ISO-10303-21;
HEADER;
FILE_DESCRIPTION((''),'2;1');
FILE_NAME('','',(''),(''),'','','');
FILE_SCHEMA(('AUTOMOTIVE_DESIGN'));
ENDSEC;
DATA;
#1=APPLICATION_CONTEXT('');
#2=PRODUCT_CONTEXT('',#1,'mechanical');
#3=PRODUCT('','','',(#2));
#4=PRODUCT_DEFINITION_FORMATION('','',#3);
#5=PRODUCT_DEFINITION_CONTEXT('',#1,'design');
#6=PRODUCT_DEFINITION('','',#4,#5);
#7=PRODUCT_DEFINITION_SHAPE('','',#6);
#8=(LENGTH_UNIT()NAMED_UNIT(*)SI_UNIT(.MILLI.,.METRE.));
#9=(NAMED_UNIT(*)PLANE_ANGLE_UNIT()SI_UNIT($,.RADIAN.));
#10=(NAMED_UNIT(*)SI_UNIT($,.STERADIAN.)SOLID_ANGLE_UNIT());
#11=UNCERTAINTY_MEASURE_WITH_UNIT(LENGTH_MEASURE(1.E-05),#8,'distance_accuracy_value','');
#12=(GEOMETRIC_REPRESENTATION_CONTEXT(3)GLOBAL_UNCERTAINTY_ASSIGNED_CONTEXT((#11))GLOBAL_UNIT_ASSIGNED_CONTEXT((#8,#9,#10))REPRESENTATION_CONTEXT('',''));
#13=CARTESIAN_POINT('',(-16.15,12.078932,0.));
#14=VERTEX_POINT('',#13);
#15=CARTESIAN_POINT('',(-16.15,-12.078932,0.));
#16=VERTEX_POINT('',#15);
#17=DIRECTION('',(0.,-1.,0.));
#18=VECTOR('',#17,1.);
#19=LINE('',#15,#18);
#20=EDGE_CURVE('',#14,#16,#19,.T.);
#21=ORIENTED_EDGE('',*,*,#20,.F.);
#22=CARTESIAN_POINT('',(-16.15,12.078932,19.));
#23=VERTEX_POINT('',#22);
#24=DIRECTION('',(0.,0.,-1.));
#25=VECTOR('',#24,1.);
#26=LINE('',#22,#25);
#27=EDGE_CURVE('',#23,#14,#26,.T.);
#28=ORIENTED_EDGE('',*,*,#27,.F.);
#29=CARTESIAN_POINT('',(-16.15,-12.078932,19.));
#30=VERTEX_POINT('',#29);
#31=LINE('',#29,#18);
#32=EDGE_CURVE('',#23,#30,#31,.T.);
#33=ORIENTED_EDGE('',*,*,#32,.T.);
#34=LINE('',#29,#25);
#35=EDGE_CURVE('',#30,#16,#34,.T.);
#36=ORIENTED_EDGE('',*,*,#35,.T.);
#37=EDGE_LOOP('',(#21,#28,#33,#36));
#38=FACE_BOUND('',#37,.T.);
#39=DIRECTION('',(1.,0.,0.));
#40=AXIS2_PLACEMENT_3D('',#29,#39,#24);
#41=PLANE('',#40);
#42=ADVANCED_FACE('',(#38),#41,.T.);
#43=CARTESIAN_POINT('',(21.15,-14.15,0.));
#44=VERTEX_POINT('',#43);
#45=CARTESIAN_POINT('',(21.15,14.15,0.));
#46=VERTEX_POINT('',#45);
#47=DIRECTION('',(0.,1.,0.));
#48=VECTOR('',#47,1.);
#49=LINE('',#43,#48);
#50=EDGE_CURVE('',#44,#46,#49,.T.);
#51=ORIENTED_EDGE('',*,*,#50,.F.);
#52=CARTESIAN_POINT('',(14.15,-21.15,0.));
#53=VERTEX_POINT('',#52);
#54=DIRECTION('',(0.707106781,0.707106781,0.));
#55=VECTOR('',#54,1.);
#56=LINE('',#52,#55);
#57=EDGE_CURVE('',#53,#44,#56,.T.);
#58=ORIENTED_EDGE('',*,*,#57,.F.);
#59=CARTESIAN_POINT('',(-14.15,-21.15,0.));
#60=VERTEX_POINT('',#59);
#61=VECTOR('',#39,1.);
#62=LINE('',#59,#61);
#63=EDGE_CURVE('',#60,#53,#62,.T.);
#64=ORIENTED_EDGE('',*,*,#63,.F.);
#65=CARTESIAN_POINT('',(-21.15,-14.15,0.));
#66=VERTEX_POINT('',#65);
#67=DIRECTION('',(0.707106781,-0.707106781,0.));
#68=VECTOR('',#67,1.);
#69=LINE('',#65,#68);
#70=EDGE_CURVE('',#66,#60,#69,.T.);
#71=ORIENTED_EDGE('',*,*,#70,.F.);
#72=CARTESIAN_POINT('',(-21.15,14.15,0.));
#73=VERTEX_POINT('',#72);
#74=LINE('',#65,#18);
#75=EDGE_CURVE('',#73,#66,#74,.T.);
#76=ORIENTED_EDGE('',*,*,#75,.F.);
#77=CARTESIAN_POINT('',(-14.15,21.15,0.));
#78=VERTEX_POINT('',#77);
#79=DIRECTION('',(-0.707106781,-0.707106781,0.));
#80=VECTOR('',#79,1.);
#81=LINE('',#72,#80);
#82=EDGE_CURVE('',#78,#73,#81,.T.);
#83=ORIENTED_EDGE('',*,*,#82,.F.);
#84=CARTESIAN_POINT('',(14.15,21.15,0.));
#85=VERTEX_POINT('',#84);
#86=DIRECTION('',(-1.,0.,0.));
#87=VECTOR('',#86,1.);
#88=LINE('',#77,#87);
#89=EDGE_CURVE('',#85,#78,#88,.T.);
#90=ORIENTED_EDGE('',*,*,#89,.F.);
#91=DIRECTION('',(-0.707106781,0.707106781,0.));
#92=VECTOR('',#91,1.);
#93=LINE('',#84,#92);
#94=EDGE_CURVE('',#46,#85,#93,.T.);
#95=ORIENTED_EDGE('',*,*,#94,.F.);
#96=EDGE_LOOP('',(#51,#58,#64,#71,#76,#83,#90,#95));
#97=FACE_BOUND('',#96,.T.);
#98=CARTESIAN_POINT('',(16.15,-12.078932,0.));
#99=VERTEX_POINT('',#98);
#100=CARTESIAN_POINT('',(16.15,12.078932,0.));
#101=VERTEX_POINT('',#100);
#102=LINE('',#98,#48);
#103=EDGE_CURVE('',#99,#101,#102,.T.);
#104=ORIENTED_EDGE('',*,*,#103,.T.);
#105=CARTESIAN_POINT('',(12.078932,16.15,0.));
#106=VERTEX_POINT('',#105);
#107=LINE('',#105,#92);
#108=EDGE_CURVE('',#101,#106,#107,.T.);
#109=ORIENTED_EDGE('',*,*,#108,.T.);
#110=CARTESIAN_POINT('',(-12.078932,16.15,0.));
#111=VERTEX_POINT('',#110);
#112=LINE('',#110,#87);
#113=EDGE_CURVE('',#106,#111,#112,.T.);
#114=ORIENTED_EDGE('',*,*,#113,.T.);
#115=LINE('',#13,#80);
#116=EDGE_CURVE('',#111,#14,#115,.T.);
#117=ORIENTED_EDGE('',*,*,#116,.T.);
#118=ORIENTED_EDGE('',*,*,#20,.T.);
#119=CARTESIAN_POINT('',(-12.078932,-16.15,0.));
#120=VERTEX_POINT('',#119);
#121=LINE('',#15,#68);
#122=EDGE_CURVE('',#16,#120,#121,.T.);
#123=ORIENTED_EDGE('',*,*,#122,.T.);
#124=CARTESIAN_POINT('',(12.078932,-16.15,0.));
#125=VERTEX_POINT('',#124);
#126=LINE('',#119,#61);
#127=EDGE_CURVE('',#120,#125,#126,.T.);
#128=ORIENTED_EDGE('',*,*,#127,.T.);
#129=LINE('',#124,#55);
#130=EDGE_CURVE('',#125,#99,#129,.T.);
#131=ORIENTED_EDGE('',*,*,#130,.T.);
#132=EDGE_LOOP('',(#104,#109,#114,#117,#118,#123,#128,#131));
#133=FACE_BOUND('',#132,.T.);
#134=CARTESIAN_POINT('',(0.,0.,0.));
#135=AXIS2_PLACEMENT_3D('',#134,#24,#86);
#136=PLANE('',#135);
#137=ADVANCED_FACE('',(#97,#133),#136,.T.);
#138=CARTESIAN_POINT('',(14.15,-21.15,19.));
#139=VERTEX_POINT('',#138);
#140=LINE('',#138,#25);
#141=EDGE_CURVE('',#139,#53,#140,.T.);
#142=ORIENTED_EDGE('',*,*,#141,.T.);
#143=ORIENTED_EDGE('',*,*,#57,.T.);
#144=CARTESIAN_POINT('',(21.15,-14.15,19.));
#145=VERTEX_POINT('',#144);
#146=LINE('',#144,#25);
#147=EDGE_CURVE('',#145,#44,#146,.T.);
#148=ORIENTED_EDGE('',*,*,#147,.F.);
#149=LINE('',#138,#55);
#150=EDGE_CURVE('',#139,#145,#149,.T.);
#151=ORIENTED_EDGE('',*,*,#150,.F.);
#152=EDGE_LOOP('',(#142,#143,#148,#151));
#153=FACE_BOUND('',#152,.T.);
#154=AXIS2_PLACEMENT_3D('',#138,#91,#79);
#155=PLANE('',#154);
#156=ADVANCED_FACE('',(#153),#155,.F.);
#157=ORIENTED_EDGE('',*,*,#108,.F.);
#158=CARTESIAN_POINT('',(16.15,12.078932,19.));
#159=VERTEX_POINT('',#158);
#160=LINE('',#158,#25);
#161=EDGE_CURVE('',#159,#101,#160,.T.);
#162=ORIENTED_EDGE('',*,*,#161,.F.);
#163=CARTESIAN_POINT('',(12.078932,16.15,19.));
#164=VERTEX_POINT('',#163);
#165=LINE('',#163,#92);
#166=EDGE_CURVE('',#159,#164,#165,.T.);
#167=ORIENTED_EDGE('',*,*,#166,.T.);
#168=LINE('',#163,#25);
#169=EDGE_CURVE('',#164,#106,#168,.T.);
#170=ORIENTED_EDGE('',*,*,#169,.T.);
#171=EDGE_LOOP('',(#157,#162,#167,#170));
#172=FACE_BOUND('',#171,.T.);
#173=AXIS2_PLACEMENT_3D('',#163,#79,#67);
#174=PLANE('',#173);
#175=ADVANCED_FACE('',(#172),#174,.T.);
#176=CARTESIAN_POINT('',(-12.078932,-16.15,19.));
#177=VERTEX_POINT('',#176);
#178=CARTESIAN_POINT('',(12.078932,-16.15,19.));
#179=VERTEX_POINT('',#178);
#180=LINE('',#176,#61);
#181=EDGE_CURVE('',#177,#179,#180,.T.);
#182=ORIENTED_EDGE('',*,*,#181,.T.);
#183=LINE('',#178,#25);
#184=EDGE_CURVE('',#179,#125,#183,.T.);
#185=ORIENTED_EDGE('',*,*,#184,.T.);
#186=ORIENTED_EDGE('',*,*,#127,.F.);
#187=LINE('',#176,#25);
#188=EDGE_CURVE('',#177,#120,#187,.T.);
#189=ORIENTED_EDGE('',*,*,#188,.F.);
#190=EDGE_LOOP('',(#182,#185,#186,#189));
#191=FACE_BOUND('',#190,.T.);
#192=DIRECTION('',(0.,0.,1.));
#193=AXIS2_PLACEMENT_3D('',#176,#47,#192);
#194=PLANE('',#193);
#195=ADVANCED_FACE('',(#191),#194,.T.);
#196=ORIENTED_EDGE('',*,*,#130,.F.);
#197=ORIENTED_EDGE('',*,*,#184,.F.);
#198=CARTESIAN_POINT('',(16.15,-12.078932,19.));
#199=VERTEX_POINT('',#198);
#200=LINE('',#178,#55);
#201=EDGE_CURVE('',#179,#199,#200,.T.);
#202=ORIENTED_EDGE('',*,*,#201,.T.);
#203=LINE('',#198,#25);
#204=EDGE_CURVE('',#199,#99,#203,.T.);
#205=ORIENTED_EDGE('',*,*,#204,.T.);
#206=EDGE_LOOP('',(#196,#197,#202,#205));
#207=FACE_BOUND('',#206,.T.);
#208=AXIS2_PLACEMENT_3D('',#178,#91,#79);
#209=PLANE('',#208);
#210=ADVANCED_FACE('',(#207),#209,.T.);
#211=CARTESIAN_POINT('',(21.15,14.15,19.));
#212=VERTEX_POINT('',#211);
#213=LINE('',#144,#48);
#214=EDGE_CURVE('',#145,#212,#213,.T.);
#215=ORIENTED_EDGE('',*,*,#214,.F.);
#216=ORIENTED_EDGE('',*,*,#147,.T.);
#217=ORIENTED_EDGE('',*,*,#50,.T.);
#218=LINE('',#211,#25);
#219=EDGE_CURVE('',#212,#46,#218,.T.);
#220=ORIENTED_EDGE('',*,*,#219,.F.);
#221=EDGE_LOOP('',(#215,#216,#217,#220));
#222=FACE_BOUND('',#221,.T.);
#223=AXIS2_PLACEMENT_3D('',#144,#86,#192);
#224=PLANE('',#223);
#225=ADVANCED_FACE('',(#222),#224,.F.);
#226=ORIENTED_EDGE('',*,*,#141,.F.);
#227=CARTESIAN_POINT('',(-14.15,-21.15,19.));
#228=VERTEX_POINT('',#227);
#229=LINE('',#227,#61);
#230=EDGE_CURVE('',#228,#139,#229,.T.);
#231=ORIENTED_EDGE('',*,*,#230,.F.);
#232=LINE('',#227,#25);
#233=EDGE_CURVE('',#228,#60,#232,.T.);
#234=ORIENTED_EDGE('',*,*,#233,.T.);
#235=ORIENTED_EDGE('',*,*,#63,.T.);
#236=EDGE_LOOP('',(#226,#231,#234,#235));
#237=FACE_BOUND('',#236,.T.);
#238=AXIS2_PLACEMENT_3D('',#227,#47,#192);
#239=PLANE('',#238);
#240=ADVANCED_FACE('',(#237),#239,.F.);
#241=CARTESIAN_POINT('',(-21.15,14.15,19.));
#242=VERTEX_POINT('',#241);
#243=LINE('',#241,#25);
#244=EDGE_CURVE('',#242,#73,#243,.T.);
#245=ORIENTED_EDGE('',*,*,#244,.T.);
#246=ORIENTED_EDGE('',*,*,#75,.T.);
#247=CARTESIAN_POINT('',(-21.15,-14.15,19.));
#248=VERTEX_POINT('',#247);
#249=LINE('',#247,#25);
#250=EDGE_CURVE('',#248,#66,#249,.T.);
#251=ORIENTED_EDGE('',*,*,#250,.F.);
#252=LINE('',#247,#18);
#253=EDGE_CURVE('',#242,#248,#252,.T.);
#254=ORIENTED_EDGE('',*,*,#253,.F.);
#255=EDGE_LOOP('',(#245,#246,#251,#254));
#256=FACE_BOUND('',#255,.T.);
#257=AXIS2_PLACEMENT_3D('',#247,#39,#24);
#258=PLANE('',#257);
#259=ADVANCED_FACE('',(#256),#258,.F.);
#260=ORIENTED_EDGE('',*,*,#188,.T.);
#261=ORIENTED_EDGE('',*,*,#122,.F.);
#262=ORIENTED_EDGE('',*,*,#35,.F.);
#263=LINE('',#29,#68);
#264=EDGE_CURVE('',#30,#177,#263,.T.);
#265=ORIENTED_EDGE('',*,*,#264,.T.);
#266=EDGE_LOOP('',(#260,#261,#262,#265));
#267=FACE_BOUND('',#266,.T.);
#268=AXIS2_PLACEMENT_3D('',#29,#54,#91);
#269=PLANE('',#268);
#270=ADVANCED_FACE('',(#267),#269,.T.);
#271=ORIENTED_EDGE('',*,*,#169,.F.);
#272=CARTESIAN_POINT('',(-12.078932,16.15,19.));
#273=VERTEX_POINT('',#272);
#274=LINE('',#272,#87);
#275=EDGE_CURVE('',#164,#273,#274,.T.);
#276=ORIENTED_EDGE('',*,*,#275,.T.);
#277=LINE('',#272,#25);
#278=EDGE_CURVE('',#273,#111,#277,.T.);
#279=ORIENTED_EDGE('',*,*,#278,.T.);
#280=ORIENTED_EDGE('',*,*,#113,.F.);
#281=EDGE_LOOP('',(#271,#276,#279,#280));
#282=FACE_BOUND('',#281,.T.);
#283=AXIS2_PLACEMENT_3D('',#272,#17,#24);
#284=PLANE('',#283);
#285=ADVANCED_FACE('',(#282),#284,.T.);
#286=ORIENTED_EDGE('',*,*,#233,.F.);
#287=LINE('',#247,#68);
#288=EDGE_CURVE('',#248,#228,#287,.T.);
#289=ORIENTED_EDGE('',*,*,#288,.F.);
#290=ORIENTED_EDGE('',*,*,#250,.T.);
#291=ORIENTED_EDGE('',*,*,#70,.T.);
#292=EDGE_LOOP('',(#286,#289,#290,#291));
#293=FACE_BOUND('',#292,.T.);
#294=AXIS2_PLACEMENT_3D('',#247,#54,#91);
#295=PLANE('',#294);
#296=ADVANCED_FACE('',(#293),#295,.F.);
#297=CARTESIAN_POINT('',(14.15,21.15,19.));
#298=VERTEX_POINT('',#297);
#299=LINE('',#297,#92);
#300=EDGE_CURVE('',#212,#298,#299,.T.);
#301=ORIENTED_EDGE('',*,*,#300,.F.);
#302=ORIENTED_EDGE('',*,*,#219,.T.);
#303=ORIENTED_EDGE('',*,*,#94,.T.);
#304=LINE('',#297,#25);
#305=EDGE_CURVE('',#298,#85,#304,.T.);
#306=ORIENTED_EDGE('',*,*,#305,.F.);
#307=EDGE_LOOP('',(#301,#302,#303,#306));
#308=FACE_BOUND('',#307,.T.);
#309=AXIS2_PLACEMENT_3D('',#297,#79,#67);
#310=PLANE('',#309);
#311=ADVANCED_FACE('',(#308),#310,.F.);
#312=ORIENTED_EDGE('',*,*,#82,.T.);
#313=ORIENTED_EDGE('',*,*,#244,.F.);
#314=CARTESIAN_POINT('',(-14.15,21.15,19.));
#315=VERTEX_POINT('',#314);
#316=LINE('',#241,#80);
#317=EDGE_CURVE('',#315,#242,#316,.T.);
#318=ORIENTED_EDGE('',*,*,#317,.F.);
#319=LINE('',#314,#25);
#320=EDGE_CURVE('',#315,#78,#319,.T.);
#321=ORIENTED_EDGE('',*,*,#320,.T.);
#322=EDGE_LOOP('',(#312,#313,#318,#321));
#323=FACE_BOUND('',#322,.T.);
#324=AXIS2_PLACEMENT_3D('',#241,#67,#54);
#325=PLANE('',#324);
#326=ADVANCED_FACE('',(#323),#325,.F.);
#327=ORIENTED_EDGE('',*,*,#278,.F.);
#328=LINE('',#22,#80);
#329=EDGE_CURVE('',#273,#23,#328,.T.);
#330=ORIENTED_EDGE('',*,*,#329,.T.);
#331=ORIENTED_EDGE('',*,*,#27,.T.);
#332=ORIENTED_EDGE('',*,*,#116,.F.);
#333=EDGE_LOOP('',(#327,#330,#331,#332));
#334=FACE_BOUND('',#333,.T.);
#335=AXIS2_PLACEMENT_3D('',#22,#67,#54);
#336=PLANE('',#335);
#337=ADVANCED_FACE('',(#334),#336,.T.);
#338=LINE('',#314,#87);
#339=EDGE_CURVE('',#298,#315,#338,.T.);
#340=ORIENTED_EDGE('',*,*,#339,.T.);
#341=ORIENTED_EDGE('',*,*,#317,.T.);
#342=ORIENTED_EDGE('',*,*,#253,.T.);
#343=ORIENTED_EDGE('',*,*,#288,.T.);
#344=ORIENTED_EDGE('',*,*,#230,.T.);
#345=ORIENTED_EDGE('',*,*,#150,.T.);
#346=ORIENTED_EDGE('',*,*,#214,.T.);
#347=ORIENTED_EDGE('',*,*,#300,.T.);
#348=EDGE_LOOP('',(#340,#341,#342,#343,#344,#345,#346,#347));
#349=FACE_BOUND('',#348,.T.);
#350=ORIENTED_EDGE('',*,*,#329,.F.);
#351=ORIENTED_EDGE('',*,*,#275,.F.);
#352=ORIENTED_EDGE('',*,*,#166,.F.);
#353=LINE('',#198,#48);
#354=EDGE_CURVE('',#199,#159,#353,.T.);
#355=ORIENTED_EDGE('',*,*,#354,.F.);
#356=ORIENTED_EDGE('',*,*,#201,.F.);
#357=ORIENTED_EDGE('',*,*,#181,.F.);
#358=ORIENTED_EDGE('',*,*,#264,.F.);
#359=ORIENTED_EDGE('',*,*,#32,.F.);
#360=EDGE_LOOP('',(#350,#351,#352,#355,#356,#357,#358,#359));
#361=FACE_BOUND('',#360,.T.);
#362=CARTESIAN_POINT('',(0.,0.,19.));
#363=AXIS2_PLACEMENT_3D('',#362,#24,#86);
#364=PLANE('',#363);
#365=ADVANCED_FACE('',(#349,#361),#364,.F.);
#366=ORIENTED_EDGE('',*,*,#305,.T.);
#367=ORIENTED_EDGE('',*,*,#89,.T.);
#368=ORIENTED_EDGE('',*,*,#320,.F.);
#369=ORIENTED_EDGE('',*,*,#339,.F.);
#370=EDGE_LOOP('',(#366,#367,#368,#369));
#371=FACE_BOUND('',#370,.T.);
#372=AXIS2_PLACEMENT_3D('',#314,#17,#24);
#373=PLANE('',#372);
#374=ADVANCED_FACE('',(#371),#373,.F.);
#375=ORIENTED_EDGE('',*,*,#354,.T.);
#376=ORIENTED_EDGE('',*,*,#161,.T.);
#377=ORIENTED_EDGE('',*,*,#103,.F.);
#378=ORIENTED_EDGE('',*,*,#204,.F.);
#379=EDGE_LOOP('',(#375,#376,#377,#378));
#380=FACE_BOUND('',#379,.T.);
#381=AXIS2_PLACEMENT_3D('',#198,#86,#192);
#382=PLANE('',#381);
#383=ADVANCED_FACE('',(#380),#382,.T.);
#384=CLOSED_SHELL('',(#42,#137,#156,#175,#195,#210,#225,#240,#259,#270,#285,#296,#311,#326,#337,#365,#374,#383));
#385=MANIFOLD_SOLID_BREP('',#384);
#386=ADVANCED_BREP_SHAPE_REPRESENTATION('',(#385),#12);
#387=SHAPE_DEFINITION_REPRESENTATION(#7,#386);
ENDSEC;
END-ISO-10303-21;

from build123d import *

# Parameters (mm, degrees)
BOSS_EXTRUDE1_DEPTH = 19


with BuildPart() as part:
    # Sketch1 → Boss-Extrude1 (new body)
    with BuildSketch(Plane.XY):
        Polygon((-21.15, 14.15), (-14.15, 21.15), (14.15, 21.15), (21.15, 14.15), (21.15, -14.15), (14.15, -21.15), (-14.15, -21.15), (-21.15, -14.15), align=None)
        Polygon((-12.078932188, 16.15), (12.078932188, 16.15), (16.15, 12.078932188), (16.15, -12.078932188), (12.078932188, -16.15), (-12.078932188, -16.15), (-16.15, -12.078932188), (-16.15, 12.078932188), align=None, mode=Mode.SUBTRACT)
    extrude(amount=BOSS_EXTRUDE1_DEPTH)


solid = part.part
